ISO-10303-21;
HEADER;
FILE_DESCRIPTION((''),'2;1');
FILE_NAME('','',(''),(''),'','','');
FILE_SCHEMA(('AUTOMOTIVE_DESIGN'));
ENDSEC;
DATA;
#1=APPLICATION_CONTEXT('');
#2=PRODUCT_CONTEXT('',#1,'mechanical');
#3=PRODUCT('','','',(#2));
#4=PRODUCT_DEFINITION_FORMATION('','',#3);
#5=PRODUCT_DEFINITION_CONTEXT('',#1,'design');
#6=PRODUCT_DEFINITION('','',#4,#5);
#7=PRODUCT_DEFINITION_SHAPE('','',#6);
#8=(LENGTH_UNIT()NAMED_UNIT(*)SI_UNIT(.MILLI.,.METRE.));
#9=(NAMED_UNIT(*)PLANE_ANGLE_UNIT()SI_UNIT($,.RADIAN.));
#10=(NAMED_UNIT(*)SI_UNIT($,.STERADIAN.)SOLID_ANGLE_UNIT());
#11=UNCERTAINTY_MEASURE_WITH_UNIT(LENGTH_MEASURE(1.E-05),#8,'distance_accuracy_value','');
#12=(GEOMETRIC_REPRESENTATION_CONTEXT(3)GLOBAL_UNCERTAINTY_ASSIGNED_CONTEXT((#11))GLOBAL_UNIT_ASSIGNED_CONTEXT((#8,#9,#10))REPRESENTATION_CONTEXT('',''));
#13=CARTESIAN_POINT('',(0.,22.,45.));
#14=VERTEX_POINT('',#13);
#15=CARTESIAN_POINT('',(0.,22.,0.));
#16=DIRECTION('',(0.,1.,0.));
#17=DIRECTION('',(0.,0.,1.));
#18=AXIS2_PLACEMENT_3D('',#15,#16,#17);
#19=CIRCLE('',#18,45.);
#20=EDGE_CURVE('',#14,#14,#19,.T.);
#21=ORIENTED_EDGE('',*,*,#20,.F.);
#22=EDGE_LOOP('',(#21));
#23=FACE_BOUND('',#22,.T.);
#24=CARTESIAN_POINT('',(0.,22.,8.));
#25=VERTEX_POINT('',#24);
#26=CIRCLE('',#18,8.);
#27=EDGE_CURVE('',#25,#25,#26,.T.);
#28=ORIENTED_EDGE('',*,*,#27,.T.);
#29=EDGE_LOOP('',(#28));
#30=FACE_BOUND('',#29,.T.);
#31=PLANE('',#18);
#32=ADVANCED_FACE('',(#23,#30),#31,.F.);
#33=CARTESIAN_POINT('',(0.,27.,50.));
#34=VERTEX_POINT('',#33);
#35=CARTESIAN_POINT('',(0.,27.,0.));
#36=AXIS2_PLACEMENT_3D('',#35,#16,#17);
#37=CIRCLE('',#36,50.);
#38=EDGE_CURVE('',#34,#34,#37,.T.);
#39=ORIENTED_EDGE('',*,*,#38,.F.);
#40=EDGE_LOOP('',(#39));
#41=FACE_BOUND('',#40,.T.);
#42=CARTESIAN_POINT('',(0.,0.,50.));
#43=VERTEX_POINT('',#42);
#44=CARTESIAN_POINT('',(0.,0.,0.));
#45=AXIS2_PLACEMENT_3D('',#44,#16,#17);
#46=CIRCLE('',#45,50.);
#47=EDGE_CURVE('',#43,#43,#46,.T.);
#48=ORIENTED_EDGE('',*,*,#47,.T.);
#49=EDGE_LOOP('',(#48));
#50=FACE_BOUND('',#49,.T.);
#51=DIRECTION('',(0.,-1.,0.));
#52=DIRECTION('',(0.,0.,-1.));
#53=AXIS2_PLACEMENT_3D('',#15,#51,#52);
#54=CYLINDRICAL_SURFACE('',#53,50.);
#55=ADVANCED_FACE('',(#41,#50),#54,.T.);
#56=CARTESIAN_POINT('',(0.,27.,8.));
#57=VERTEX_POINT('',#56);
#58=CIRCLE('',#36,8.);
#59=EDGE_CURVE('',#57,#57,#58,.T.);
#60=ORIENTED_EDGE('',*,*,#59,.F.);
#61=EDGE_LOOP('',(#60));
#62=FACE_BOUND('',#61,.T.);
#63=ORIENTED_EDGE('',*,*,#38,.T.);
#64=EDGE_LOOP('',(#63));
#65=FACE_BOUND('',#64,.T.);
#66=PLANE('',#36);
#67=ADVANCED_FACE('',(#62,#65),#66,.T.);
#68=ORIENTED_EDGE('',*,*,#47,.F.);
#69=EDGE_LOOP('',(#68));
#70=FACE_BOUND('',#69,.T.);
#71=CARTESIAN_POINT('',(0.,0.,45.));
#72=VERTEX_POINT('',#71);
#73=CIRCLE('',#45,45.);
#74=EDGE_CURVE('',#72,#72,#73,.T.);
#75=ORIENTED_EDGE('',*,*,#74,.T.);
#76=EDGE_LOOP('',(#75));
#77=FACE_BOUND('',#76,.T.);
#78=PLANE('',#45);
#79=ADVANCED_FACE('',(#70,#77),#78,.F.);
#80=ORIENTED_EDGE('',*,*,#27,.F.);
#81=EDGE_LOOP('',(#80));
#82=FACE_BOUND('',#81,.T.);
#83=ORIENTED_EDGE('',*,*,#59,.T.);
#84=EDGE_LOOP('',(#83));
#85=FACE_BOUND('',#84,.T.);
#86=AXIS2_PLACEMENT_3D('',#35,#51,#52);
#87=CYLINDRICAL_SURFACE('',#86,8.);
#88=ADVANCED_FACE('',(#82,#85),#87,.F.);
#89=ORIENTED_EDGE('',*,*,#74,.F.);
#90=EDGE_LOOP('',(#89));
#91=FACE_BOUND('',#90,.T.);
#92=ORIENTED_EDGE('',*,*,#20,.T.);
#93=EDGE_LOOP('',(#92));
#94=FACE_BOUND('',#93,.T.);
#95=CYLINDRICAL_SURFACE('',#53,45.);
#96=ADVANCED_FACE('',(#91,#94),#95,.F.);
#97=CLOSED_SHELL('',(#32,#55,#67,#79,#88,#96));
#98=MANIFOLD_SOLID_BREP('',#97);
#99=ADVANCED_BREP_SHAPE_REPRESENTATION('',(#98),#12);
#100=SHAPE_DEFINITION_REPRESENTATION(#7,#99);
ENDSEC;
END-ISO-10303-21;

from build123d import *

# Parameters (mm, degrees)
SKETCH1_R           = 50
SKETCH1_R_2         = 45
BOSS_EXTRUDE1_DEPTH = 22
SKETCH2_R           = 50
SKETCH2_R_2         = 45
SKETCH2_R_3         = 8
BOSS_EXTRUDE2_DEPTH = 5


with BuildPart() as part:
    # Sketch1 → Boss-Extrude1 (new body)
    with BuildSketch(Plane(origin=(0, 0, 0), x_dir=(1, 0, 0), z_dir=(0, 1, 0))):
        with Locations(Location((0, 0, 0), (0, 0, 270))):
            Circle(SKETCH1_R)
        with Locations(Location((0, 0, 0), (0, 0, 270))):
            Circle(SKETCH1_R_2, mode=Mode.SUBTRACT)
    extrude(amount=BOSS_EXTRUDE1_DEPTH)

    # Sketch2 → Boss-Extrude2 (add)
    # profile 1 of 2: a face of its own
    with BuildSketch(Plane(origin=(0, 22, 0), x_dir=(1, 0, 0), z_dir=(0, 1, 0))):
        with Locations(Location((0, 0, 0), (0, 0, 270))):
            Circle(SKETCH2_R)
        with Locations(Location((0, 0, 0), (0, 0, 270))):
            Circle(SKETCH2_R_2, mode=Mode.SUBTRACT)
    # profile 2 of 2: a face of its own
    with BuildSketch(Plane(origin=(0, 22, 0), x_dir=(1, 0, 0), z_dir=(0, 1, 0))):
        with Locations(Location((0, 0, 0), (0, 0, 270))):
            Circle(SKETCH2_R_2)
        with Locations(Location((0, 0, 0), (0, 0, 270))):
            Circle(SKETCH2_R_3, mode=Mode.SUBTRACT)
    extrude(amount=BOSS_EXTRUDE2_DEPTH)


solid = part.part
